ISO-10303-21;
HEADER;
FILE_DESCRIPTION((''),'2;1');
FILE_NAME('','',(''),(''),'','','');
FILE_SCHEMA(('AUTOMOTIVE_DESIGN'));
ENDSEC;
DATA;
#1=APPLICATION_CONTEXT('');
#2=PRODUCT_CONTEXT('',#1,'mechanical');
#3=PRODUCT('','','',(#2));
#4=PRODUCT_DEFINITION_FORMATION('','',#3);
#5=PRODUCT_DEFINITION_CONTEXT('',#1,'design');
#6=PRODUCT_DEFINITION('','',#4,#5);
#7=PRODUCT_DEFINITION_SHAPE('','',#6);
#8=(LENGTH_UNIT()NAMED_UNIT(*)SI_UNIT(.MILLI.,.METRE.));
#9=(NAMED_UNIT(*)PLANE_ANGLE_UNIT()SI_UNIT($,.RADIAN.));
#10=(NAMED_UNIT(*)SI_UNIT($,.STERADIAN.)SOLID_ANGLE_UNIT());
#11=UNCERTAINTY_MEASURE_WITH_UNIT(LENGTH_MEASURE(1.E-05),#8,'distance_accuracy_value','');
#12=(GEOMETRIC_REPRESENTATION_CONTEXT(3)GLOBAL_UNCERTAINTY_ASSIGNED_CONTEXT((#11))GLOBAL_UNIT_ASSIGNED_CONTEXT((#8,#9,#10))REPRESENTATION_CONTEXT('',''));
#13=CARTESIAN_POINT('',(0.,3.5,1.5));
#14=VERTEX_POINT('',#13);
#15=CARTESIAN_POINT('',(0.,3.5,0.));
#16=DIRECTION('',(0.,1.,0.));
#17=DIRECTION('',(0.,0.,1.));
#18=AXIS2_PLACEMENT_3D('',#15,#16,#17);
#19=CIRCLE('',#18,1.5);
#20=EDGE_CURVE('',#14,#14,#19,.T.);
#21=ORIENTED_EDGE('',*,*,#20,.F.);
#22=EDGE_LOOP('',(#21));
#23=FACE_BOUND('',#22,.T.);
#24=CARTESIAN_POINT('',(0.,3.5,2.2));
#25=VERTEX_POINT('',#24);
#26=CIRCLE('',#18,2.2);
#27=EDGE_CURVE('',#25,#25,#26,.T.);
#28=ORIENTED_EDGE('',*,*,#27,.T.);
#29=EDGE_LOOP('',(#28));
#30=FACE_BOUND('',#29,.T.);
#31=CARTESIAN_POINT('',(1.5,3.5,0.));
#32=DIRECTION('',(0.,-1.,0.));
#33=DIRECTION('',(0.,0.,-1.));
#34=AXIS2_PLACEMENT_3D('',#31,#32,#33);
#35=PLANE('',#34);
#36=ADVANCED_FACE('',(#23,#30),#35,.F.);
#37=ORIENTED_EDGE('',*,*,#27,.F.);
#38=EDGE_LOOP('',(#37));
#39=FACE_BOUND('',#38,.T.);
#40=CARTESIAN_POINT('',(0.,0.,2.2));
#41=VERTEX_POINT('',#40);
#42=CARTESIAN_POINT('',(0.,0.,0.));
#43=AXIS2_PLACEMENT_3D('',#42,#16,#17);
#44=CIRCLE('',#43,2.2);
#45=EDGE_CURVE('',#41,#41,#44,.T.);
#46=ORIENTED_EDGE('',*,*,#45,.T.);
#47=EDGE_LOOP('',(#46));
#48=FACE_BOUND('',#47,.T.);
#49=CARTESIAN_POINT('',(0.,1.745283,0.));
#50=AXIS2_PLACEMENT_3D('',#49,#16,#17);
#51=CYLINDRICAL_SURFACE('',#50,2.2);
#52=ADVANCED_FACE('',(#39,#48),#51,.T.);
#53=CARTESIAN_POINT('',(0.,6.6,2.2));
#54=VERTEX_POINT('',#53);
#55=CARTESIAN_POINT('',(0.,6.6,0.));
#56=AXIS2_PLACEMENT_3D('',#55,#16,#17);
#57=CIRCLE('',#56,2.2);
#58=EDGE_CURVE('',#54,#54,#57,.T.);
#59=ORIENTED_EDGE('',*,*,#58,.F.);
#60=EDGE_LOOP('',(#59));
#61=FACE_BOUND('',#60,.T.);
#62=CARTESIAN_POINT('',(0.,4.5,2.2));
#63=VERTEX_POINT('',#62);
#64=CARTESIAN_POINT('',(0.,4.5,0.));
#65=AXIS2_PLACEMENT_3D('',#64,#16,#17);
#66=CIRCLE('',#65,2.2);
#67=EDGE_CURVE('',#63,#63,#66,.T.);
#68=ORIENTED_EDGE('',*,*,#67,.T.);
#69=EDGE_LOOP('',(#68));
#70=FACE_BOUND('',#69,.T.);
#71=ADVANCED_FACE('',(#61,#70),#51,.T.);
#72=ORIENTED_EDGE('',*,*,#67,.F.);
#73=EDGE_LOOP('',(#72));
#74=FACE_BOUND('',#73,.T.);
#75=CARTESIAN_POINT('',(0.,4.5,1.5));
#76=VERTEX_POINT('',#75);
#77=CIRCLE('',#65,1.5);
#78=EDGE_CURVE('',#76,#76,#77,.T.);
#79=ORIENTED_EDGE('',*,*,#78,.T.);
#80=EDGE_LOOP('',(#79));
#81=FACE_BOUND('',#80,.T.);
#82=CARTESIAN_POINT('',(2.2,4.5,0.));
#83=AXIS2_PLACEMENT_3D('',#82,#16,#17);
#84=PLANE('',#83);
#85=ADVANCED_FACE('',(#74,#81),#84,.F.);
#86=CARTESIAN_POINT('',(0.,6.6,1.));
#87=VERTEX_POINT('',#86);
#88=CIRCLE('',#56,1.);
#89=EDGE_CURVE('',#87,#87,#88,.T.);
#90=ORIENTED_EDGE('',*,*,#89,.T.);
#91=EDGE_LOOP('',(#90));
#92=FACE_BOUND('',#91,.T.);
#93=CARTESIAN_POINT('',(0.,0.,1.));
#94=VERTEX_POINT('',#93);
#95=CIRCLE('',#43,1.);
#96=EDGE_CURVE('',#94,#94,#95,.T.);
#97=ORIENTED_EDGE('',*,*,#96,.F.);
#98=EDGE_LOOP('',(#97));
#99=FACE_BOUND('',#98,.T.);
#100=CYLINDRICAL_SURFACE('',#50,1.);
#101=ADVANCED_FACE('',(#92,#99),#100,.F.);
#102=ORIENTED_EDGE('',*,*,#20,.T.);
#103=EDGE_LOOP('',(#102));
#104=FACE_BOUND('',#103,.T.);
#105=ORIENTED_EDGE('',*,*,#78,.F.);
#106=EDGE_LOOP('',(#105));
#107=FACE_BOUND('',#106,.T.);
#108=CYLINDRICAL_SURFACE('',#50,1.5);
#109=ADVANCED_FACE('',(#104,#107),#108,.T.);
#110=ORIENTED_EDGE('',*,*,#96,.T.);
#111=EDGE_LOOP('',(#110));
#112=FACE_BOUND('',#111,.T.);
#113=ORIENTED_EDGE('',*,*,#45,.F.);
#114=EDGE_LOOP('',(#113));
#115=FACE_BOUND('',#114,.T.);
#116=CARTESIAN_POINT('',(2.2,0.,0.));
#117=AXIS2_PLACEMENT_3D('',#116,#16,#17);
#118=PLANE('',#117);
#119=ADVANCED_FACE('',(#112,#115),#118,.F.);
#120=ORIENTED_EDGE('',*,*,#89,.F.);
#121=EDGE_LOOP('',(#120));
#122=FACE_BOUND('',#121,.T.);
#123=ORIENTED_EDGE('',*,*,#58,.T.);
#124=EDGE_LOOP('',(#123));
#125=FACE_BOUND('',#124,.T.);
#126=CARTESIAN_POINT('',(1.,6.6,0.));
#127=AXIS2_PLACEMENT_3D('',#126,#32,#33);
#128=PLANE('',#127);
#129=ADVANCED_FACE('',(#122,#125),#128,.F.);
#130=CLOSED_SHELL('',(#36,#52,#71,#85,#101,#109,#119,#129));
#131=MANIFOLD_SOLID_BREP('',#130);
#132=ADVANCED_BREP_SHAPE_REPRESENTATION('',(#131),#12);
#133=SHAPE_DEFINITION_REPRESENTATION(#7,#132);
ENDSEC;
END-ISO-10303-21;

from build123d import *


with BuildPart() as part:
    # 草图2 → 旋转1 (revolve)
    with BuildSketch(Plane.XY):
        Polygon((1, 6.6), (1, 0), (2.2, 0), (2.2, 3.5), (1.5, 3.5), (1.5, 4.5), (2.2, 4.5), (2.2, 6.6), align=None)
    revolve(axis=Axis((0, 1.745283019, 0), (0, -1, 0)))


solid = part.part
